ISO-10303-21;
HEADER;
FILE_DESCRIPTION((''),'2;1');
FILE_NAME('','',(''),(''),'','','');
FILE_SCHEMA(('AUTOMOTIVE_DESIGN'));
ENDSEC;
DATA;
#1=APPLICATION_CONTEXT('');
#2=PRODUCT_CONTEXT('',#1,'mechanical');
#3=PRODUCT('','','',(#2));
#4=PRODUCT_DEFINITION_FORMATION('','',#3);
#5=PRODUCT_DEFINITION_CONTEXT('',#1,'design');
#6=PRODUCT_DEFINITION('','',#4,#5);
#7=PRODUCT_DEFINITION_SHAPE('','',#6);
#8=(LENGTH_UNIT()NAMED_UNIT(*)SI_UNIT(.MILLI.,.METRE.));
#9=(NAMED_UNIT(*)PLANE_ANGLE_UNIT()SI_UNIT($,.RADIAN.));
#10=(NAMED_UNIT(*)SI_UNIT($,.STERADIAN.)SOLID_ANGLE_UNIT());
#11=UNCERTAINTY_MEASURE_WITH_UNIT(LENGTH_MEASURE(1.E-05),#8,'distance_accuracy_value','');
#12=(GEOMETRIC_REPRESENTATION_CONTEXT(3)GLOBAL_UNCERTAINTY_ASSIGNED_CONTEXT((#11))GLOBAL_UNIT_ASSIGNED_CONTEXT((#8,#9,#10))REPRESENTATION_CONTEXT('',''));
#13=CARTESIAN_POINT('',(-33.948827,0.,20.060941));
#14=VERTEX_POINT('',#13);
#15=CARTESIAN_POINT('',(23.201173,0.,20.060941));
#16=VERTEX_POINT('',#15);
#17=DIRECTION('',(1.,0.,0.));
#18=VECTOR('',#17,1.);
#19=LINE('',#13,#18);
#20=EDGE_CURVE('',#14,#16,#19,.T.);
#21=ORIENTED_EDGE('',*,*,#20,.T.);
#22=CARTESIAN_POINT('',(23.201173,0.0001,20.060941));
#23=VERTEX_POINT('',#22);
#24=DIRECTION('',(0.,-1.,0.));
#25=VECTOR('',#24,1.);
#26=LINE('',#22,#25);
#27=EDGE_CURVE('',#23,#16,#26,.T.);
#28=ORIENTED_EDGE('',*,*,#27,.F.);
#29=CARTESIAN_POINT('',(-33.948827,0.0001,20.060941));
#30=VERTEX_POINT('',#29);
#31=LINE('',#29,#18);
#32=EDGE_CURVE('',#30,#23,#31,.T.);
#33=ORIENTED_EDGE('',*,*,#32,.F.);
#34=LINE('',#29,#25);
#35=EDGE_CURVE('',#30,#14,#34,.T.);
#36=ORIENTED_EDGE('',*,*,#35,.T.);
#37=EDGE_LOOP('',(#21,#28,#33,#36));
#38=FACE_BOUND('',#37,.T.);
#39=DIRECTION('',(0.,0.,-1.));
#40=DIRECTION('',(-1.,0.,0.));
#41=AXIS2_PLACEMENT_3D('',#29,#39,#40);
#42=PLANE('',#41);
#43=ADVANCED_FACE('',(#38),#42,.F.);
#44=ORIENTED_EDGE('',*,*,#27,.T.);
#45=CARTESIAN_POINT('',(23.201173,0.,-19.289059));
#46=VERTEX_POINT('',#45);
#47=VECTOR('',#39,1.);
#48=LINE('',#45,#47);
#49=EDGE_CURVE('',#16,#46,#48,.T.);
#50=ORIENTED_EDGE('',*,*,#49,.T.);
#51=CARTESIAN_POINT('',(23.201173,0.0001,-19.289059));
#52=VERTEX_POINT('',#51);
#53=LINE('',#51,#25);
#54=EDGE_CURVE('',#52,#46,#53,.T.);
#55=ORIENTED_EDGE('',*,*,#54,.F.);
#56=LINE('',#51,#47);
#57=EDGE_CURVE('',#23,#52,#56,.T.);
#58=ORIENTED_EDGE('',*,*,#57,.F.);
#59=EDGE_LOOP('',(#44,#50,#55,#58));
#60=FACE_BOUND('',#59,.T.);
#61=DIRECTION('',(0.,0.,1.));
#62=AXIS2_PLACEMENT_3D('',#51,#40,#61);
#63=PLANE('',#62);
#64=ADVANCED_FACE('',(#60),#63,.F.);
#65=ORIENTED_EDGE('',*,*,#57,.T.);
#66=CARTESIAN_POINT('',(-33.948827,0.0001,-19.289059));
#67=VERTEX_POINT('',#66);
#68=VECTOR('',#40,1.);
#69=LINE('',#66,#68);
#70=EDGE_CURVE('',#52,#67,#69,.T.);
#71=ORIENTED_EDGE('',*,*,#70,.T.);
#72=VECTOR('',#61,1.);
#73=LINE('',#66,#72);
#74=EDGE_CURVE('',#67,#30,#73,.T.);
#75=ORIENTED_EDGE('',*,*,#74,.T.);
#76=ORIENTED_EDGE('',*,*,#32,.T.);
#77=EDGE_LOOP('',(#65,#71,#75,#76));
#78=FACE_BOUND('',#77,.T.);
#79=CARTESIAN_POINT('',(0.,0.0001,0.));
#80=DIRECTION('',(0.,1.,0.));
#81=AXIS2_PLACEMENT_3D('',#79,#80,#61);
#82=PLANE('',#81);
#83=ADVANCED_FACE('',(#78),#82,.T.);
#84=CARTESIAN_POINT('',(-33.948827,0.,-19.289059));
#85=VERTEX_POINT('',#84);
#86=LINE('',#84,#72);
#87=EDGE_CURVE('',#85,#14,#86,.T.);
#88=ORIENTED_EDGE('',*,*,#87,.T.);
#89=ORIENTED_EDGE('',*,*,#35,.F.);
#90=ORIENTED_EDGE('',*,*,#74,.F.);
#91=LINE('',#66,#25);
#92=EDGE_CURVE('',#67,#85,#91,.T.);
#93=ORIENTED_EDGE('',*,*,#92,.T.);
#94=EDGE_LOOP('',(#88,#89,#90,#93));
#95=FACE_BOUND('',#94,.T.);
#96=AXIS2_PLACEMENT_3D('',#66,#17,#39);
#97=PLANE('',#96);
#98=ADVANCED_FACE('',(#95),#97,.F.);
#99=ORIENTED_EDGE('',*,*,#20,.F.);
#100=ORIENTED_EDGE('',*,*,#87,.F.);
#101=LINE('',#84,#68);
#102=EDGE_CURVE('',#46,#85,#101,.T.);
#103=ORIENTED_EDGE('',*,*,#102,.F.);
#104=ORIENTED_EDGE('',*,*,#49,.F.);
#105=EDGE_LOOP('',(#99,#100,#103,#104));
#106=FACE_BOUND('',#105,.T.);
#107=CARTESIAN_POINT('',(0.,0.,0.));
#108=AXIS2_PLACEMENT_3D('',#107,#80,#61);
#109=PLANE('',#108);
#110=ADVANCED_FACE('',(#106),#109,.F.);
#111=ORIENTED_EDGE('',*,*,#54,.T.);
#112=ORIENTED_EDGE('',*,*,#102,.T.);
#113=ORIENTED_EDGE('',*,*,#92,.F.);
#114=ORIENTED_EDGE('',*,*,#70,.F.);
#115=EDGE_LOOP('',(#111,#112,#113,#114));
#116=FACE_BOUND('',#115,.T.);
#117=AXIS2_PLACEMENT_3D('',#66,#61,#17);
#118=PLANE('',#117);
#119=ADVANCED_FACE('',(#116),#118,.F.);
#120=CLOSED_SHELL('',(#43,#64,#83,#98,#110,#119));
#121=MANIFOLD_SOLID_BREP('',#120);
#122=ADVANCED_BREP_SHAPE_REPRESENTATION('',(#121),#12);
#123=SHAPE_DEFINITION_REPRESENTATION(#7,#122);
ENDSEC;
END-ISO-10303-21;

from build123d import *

# Parameters (mm, degrees)
SKETCH1_W           = 57.15
SKETCH1_H           = 39.35
BOSS_EXTRUDE1_DEPTH = 0.0001


with BuildPart() as part:
    # Sketch1 → Boss-Extrude1 (new body)
    with BuildSketch(Plane(origin=(0, 0, 0), x_dir=(1, 0, 0), z_dir=(0, 1, 0))):
        with Locations((-5.373826646, -0.385941194)):
            Rectangle(SKETCH1_W, SKETCH1_H)
    extrude(amount=BOSS_EXTRUDE1_DEPTH)


solid = part.part
